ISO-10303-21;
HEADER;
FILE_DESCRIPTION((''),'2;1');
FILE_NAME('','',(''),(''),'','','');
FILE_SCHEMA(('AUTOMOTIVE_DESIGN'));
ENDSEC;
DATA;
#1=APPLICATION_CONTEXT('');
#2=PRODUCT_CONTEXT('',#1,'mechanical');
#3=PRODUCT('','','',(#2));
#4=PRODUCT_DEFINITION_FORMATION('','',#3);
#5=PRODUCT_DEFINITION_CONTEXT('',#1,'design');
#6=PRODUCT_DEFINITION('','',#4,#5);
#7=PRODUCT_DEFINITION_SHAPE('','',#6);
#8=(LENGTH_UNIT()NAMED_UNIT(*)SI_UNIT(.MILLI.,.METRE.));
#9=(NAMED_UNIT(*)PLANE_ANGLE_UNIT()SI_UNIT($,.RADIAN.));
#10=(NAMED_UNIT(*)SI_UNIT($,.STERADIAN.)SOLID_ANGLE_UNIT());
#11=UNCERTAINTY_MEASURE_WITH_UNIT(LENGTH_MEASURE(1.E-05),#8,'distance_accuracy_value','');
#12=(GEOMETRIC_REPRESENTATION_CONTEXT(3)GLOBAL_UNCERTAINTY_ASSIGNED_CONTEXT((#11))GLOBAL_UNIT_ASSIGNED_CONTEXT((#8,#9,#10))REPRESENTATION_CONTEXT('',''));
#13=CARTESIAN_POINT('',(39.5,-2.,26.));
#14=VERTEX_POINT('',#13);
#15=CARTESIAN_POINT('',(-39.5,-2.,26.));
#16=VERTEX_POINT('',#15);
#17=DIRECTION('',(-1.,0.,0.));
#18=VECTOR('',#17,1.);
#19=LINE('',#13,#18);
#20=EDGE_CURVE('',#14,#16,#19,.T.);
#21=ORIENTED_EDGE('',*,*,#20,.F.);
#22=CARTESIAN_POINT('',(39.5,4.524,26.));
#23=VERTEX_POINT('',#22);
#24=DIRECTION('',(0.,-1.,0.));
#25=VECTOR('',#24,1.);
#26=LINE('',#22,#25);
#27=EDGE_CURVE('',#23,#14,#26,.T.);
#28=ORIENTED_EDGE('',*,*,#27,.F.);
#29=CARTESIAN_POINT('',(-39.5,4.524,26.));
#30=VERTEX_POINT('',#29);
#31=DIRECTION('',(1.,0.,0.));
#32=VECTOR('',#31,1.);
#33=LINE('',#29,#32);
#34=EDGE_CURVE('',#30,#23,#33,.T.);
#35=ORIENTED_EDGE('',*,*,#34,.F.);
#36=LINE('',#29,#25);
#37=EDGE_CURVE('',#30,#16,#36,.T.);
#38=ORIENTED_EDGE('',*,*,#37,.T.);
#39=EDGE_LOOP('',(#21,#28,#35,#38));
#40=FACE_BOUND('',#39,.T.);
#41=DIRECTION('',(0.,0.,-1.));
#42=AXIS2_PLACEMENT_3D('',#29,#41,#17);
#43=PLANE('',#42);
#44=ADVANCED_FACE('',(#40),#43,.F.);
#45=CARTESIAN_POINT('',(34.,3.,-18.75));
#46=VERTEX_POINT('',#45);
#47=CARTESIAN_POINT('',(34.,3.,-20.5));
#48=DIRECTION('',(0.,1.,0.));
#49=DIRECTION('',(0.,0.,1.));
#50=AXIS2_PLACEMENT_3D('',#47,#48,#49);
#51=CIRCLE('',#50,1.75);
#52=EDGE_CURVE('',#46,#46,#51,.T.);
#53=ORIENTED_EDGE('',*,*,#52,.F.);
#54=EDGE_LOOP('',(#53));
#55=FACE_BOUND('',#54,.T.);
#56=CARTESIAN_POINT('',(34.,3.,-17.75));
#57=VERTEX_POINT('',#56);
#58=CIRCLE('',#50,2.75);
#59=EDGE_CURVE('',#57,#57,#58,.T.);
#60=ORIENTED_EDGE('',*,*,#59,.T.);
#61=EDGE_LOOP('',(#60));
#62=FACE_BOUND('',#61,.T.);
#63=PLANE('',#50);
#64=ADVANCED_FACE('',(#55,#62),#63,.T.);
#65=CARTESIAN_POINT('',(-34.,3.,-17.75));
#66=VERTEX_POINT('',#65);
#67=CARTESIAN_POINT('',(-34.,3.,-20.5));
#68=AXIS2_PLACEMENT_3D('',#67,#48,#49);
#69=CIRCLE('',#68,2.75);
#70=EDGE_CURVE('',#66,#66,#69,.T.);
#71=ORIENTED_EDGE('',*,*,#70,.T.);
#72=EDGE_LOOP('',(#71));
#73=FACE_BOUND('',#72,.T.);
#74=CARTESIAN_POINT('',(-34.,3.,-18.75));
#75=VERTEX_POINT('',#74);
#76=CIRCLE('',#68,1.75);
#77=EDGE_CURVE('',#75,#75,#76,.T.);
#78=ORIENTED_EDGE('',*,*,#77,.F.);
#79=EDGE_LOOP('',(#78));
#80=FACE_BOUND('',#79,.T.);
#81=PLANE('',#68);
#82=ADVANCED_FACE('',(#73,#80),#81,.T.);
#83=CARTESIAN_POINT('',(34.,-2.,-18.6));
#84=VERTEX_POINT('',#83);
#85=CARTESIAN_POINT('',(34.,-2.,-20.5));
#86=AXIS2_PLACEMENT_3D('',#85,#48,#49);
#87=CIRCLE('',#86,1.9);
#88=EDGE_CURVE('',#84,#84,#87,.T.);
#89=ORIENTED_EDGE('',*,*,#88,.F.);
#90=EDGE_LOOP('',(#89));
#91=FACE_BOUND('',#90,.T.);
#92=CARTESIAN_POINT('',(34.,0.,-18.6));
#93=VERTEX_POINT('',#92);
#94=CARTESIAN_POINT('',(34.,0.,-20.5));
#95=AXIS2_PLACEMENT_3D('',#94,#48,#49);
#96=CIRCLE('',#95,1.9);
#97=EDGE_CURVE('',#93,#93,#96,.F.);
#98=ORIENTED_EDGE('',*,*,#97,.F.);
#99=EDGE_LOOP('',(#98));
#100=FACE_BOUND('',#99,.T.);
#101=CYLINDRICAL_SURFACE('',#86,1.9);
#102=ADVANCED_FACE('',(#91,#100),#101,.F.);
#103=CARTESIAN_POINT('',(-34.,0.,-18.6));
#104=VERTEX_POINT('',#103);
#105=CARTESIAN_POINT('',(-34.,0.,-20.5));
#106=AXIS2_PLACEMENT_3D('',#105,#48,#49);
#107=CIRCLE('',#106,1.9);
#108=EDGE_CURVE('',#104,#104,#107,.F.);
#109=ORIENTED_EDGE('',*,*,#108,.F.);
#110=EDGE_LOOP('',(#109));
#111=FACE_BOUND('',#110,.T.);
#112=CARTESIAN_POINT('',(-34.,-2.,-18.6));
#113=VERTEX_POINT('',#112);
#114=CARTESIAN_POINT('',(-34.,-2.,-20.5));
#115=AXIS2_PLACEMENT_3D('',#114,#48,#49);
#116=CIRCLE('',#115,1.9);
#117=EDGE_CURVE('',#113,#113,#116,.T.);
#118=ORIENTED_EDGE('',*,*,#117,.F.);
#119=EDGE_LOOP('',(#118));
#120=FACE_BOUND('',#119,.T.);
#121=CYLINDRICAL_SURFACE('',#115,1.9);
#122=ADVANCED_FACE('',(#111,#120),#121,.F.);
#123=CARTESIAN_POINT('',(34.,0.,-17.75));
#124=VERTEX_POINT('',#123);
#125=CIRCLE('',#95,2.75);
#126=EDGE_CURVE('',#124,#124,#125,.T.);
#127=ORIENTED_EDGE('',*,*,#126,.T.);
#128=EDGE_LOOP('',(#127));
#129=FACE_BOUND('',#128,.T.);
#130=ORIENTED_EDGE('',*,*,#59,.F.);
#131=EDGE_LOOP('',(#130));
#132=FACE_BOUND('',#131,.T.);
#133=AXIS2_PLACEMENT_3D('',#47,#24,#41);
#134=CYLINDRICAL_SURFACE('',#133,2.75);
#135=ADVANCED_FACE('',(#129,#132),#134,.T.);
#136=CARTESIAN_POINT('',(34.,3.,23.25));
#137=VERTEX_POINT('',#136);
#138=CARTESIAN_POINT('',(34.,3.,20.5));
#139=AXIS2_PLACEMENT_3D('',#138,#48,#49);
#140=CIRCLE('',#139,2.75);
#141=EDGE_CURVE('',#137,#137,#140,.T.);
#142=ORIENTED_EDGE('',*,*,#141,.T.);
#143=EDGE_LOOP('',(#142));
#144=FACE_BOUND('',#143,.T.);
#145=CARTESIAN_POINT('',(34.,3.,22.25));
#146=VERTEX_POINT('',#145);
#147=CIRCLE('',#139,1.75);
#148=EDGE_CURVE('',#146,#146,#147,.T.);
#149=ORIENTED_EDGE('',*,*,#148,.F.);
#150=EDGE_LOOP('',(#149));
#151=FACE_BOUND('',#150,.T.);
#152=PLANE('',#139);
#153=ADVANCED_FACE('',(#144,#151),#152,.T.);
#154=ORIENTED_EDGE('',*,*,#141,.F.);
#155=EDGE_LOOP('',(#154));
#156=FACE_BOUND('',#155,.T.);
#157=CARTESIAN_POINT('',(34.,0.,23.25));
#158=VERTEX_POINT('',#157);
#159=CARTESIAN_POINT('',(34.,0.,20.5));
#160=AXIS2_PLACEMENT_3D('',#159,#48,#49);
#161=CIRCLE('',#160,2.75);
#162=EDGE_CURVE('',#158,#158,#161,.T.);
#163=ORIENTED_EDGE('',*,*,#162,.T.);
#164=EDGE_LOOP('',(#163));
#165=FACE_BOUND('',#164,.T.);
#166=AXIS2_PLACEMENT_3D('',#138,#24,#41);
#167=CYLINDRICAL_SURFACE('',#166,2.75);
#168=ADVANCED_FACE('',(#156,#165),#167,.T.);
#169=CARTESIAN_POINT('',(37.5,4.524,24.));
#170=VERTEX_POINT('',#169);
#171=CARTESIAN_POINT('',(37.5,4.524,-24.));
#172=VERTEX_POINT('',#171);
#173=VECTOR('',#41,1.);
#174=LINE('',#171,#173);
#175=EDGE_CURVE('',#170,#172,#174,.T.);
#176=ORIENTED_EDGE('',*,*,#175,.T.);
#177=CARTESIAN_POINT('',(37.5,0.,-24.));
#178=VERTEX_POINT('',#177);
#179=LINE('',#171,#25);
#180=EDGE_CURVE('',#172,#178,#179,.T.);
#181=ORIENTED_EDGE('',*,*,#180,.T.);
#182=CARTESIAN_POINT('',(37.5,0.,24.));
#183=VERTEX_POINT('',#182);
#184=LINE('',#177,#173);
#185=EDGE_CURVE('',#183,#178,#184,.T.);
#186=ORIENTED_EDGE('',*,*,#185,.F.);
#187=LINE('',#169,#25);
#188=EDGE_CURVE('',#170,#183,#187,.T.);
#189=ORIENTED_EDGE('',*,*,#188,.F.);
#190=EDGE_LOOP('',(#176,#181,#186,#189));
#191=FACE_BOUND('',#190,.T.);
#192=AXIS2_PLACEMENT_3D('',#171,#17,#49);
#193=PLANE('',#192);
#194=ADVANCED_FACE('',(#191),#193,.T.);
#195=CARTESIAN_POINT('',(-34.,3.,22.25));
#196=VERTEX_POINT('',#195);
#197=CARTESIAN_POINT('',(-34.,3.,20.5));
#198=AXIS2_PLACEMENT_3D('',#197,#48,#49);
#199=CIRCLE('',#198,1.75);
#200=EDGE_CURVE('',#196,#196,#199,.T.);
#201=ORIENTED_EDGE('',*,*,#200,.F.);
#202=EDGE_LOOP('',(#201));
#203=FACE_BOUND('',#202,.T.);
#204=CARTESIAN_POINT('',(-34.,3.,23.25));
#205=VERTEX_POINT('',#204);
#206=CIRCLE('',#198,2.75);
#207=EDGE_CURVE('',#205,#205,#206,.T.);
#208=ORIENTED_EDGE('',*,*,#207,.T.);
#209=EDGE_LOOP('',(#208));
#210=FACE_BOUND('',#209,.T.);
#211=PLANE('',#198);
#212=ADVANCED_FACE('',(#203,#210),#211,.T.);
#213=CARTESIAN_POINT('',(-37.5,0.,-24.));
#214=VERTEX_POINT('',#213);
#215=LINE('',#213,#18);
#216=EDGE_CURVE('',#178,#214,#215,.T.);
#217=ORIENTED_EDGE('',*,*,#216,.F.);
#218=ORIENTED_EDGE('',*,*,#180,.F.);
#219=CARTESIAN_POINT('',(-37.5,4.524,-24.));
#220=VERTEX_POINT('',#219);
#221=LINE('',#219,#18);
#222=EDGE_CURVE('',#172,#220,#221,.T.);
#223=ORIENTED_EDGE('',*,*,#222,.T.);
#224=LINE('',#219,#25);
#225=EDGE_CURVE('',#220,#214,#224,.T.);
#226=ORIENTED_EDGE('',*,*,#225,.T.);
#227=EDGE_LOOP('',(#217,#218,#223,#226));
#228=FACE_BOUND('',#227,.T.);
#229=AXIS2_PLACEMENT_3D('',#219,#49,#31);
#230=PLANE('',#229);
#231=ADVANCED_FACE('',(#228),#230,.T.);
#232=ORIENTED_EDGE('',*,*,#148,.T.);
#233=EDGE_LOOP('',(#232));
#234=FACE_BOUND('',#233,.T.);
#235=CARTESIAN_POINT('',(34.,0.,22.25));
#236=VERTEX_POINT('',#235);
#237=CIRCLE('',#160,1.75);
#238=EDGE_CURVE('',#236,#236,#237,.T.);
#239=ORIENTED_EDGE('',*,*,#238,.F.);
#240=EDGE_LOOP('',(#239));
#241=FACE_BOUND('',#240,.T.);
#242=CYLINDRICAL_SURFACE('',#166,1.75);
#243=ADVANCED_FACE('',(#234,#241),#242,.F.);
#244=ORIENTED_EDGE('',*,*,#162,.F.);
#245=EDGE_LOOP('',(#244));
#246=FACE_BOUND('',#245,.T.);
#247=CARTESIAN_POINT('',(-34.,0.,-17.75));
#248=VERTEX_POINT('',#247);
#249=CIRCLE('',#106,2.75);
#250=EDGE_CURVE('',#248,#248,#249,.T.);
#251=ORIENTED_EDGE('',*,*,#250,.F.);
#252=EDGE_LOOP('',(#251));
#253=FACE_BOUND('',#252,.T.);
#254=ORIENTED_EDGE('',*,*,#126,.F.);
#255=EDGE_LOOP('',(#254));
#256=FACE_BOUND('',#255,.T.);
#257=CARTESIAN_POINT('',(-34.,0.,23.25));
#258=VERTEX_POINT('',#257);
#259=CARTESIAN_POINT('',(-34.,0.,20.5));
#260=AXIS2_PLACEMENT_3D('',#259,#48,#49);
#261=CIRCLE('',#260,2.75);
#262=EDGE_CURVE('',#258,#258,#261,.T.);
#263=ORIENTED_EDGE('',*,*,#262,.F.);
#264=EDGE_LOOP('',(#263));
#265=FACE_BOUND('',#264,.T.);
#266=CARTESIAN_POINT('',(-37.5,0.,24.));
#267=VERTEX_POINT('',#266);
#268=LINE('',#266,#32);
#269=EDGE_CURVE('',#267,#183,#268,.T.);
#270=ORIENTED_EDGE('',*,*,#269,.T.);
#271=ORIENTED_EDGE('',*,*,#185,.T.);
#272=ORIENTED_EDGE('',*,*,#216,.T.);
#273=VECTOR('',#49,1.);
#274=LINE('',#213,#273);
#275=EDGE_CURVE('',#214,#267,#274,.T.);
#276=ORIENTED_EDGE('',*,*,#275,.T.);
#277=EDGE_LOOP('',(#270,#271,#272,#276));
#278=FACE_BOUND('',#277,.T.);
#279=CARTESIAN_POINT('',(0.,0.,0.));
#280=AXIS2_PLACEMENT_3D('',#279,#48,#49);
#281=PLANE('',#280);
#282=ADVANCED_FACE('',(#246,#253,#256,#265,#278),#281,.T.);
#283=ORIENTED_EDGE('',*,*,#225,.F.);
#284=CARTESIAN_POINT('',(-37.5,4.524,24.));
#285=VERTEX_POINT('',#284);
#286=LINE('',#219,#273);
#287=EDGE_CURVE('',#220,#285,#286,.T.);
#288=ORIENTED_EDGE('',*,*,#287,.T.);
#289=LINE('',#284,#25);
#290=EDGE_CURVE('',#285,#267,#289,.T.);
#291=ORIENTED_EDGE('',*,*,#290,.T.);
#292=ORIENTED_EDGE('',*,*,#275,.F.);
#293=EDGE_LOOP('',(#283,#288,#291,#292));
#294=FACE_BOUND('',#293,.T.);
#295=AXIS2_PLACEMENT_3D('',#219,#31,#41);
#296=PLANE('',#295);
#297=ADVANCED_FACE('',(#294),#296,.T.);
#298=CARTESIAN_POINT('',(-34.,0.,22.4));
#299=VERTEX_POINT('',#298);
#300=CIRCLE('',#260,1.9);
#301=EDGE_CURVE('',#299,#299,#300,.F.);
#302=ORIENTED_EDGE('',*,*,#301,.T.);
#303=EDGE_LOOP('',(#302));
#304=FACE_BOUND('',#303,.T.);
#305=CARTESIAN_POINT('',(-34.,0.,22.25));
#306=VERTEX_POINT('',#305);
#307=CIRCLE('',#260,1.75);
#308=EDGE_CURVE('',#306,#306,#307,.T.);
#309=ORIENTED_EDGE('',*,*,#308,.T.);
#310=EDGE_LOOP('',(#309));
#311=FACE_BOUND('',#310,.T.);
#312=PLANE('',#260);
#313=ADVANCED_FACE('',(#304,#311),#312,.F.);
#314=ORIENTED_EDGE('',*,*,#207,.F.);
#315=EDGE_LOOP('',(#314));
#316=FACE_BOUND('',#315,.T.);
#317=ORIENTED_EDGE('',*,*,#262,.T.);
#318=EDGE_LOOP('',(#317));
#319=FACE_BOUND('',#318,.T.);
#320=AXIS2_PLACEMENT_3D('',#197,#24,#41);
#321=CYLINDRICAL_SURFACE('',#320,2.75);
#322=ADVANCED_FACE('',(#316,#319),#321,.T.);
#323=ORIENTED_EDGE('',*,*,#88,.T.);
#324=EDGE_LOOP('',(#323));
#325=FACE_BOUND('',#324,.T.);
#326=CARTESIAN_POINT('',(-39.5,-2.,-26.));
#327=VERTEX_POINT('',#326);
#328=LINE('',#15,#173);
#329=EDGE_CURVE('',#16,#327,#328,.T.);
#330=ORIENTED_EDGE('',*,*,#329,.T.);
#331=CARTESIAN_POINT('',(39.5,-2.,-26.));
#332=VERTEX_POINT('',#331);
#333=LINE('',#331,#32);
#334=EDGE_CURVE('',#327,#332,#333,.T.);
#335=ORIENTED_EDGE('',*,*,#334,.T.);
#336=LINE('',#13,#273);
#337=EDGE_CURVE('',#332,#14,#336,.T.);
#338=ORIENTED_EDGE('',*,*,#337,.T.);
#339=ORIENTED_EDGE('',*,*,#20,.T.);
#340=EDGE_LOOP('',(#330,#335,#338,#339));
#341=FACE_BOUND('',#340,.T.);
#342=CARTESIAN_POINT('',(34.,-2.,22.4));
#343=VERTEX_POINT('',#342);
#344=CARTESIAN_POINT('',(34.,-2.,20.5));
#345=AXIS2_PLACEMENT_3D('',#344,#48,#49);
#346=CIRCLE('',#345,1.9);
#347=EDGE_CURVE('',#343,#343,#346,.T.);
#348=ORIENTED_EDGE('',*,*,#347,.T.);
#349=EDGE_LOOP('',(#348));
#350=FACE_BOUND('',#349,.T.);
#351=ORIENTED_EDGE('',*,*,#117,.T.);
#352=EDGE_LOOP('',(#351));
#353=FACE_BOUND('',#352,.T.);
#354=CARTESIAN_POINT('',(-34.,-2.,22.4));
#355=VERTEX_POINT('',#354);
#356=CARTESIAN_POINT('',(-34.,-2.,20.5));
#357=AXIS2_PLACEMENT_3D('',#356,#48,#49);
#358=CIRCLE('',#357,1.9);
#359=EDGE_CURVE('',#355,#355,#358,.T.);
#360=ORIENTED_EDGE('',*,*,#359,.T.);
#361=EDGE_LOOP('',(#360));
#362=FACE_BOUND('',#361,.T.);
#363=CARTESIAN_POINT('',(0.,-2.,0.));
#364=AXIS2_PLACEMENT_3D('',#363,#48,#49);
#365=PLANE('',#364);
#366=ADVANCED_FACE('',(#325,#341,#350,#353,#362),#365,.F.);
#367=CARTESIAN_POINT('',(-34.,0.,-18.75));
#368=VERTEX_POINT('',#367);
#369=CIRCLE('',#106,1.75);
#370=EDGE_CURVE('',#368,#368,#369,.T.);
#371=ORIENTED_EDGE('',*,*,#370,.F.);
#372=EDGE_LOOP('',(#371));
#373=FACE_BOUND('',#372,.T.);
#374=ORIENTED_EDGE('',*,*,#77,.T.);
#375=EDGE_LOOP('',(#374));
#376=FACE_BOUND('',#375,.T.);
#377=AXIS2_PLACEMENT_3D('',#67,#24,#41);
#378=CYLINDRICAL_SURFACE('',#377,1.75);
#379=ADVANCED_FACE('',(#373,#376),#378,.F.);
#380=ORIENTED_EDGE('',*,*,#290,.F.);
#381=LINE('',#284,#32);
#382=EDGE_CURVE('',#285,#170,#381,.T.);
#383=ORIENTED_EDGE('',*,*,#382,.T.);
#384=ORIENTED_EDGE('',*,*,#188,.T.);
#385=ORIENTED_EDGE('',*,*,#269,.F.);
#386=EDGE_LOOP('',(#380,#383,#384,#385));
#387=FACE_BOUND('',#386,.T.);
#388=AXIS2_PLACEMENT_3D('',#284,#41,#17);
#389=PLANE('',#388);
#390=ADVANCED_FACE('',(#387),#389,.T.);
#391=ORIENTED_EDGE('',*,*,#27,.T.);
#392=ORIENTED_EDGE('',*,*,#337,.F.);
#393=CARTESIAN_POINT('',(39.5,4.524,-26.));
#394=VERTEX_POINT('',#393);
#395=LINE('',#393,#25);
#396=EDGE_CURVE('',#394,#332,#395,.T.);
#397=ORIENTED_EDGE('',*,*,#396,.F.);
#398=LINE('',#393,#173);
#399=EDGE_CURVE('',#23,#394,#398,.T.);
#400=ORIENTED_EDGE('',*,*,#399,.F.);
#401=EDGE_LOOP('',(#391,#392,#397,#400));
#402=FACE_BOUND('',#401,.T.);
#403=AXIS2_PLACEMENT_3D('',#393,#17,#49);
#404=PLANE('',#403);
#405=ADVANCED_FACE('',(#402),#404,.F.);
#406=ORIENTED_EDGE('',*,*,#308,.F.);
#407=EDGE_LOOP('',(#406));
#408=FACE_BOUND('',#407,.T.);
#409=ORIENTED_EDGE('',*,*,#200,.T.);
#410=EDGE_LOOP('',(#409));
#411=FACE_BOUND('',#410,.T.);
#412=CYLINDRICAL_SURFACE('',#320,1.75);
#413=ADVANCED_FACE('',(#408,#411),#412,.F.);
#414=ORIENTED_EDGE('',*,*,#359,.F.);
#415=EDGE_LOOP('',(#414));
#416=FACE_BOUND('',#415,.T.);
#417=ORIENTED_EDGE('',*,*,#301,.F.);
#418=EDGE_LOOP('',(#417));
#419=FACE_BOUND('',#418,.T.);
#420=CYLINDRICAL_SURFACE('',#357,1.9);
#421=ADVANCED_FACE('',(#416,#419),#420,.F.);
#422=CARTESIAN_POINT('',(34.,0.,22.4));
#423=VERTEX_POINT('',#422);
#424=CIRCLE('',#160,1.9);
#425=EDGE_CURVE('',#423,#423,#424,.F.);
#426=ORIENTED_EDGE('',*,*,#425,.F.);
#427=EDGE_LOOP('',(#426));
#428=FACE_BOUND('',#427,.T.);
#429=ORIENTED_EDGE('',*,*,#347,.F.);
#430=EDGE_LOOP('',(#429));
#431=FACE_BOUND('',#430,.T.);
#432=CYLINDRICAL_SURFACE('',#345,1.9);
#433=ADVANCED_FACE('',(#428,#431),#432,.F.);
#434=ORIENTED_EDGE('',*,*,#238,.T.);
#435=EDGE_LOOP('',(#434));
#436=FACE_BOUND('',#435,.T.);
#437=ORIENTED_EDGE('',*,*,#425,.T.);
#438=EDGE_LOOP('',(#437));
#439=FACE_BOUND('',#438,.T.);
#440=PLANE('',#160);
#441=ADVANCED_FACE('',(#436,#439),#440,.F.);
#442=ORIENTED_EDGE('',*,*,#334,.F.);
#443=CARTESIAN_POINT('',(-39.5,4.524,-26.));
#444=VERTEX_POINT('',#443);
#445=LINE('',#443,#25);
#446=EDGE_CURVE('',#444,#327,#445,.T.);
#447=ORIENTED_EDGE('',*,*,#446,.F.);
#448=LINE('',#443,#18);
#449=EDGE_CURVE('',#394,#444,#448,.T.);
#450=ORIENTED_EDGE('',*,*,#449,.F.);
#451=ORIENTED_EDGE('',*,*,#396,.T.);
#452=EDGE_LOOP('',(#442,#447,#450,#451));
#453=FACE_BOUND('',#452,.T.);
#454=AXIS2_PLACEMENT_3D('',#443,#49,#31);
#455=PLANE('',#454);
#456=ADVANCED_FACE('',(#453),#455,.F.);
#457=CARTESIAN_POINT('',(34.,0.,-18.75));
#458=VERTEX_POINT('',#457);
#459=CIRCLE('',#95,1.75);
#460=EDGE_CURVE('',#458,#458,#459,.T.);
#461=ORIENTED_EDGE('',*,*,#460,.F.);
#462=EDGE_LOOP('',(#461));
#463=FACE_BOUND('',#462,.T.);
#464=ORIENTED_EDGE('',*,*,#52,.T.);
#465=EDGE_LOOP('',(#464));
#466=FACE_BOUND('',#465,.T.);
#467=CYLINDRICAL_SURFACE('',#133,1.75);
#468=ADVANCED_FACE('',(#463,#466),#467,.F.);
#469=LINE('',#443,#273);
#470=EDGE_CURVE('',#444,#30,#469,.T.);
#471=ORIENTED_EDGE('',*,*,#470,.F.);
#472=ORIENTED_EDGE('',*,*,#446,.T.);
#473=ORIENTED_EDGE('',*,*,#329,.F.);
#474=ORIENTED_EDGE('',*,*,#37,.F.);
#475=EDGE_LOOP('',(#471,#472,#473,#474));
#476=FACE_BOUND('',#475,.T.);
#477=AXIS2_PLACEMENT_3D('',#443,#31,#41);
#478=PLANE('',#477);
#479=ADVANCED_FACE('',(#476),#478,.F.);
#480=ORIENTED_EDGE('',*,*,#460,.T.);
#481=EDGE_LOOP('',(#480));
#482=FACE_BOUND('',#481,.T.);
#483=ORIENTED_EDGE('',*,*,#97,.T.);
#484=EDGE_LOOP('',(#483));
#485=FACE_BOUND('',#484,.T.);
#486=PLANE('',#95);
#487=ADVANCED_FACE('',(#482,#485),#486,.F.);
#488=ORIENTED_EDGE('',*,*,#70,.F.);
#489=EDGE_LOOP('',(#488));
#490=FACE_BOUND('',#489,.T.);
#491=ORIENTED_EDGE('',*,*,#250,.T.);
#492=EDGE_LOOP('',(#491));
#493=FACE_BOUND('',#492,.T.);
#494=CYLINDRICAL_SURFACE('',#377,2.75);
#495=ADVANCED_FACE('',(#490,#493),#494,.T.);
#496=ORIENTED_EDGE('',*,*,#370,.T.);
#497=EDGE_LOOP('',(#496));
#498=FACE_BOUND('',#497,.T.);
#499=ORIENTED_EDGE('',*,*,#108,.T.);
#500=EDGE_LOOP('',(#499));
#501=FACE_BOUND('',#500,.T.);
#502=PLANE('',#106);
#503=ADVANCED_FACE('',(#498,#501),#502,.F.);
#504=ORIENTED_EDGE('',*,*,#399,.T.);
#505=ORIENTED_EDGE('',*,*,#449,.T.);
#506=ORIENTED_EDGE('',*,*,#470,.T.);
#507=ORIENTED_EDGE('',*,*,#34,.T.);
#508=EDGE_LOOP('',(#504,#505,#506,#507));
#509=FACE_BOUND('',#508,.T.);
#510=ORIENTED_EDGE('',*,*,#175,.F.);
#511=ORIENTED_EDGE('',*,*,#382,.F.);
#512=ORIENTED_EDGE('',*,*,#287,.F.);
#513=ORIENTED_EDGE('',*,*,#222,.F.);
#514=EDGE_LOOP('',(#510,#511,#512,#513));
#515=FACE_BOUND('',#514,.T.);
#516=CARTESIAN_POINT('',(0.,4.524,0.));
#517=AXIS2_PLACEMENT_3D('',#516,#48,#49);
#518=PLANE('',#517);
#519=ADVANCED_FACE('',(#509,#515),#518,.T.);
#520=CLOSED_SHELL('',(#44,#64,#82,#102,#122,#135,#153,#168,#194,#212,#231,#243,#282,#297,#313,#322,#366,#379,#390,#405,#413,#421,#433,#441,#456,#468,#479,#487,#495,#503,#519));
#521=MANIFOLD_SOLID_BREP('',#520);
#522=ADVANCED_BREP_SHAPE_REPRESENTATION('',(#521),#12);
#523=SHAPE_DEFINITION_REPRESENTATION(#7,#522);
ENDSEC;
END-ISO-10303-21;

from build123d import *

# Parameters (mm, degrees)
SKETCH1_W           = 79
SKETCH1_H           = 52
SKETCH1_W_2         = 75
SKETCH1_H_2         = 48
BOSS_EXTRUDE1_DEPTH = 4.524
SKETCH2_W           = 79
SKETCH2_H           = 52
BOSS_EXTRUDE2_DEPTH = 2
SKETCH3_R           = 1.9
CUT_EXTRUDE1_DEPTH  = 2
SKETCH4_R           = 2.75
SKETCH4_R_2         = 1.75
BOSS_EXTRUDE3_DEPTH = 3


with BuildPart() as part:
    # Sketch1 → Boss-Extrude1 (new body)
    with BuildSketch(Plane(origin=(0, 0, 0), x_dir=(1, 0, 0), z_dir=(0, 1, 0))):
        Rectangle(SKETCH1_W, SKETCH1_H)
        Rectangle(SKETCH1_W_2, SKETCH1_H_2, mode=Mode.SUBTRACT)
    extrude(amount=BOSS_EXTRUDE1_DEPTH)

    # Sketch2 → Boss-Extrude2 (add)
    with BuildSketch(Plane.XZ):
        Rectangle(SKETCH2_W, SKETCH2_H)
    extrude(amount=BOSS_EXTRUDE2_DEPTH)

    # Sketch3 → Cut-Extrude1 (cut)
    with BuildSketch(Plane(origin=(0, 0, 0), x_dir=(1, 0, 0), z_dir=(0, 1, 0))):
        with Locations(Location((-34, 20.5, 0), (0, 0, 270))):
            Circle(SKETCH3_R)
        with Locations(Location((34, 20.5, 0), (0, 0, 270))):
            Circle(SKETCH3_R)
        with Locations(Location((34, -20.5, 0), (0, 0, 270))):
            Circle(SKETCH3_R)
        with Locations(Location((-34, -20.5, 0), (0, 0, 270))):
            Circle(SKETCH3_R)
    extrude(amount=-CUT_EXTRUDE1_DEPTH, mode=Mode.SUBTRACT)

    # Sketch4 → Boss-Extrude3 (add)
    # profile 1 of 4: a face of its own
    with BuildSketch(Plane(origin=(0, 0, 0), x_dir=(1, 0, 0), z_dir=(0, 1, 0))):
        with Locations(Location((-34, -20.5, 0), (0, 0, 270))):
            Circle(SKETCH4_R)
        with Locations(Location((-34, -20.5, 0), (0, 0, 270))):
            Circle(SKETCH4_R_2, mode=Mode.SUBTRACT)
    # profile 2 of 4: a face of its own
    with BuildSketch(Plane(origin=(0, 0, 0), x_dir=(1, 0, 0), z_dir=(0, 1, 0))):
        with Locations(Location((34, -20.5, 0), (0, 0, 270))):
            Circle(SKETCH4_R)
        with Locations(Location((34, -20.5, 0), (0, 0, 270))):
            Circle(SKETCH4_R_2, mode=Mode.SUBTRACT)
    # profile 3 of 4: a face of its own
    with BuildSketch(Plane(origin=(0, 0, 0), x_dir=(1, 0, 0), z_dir=(0, 1, 0))):
        with Locations(Location((34, 20.5, 0), (0, 0, 270))):
            Circle(SKETCH4_R)
        with Locations(Location((34, 20.5, 0), (0, 0, 270))):
            Circle(SKETCH4_R_2, mode=Mode.SUBTRACT)
    # profile 4 of 4: a face of its own
    with BuildSketch(Plane(origin=(0, 0, 0), x_dir=(1, 0, 0), z_dir=(0, 1, 0))):
        with Locations(Location((-34, 20.5, 0), (0, 0, 270))):
            Circle(SKETCH4_R)
        with Locations(Location((-34, 20.5, 0), (0, 0, 270))):
            Circle(SKETCH4_R_2, mode=Mode.SUBTRACT)
    extrude(amount=BOSS_EXTRUDE3_DEPTH)


solid = part.part
